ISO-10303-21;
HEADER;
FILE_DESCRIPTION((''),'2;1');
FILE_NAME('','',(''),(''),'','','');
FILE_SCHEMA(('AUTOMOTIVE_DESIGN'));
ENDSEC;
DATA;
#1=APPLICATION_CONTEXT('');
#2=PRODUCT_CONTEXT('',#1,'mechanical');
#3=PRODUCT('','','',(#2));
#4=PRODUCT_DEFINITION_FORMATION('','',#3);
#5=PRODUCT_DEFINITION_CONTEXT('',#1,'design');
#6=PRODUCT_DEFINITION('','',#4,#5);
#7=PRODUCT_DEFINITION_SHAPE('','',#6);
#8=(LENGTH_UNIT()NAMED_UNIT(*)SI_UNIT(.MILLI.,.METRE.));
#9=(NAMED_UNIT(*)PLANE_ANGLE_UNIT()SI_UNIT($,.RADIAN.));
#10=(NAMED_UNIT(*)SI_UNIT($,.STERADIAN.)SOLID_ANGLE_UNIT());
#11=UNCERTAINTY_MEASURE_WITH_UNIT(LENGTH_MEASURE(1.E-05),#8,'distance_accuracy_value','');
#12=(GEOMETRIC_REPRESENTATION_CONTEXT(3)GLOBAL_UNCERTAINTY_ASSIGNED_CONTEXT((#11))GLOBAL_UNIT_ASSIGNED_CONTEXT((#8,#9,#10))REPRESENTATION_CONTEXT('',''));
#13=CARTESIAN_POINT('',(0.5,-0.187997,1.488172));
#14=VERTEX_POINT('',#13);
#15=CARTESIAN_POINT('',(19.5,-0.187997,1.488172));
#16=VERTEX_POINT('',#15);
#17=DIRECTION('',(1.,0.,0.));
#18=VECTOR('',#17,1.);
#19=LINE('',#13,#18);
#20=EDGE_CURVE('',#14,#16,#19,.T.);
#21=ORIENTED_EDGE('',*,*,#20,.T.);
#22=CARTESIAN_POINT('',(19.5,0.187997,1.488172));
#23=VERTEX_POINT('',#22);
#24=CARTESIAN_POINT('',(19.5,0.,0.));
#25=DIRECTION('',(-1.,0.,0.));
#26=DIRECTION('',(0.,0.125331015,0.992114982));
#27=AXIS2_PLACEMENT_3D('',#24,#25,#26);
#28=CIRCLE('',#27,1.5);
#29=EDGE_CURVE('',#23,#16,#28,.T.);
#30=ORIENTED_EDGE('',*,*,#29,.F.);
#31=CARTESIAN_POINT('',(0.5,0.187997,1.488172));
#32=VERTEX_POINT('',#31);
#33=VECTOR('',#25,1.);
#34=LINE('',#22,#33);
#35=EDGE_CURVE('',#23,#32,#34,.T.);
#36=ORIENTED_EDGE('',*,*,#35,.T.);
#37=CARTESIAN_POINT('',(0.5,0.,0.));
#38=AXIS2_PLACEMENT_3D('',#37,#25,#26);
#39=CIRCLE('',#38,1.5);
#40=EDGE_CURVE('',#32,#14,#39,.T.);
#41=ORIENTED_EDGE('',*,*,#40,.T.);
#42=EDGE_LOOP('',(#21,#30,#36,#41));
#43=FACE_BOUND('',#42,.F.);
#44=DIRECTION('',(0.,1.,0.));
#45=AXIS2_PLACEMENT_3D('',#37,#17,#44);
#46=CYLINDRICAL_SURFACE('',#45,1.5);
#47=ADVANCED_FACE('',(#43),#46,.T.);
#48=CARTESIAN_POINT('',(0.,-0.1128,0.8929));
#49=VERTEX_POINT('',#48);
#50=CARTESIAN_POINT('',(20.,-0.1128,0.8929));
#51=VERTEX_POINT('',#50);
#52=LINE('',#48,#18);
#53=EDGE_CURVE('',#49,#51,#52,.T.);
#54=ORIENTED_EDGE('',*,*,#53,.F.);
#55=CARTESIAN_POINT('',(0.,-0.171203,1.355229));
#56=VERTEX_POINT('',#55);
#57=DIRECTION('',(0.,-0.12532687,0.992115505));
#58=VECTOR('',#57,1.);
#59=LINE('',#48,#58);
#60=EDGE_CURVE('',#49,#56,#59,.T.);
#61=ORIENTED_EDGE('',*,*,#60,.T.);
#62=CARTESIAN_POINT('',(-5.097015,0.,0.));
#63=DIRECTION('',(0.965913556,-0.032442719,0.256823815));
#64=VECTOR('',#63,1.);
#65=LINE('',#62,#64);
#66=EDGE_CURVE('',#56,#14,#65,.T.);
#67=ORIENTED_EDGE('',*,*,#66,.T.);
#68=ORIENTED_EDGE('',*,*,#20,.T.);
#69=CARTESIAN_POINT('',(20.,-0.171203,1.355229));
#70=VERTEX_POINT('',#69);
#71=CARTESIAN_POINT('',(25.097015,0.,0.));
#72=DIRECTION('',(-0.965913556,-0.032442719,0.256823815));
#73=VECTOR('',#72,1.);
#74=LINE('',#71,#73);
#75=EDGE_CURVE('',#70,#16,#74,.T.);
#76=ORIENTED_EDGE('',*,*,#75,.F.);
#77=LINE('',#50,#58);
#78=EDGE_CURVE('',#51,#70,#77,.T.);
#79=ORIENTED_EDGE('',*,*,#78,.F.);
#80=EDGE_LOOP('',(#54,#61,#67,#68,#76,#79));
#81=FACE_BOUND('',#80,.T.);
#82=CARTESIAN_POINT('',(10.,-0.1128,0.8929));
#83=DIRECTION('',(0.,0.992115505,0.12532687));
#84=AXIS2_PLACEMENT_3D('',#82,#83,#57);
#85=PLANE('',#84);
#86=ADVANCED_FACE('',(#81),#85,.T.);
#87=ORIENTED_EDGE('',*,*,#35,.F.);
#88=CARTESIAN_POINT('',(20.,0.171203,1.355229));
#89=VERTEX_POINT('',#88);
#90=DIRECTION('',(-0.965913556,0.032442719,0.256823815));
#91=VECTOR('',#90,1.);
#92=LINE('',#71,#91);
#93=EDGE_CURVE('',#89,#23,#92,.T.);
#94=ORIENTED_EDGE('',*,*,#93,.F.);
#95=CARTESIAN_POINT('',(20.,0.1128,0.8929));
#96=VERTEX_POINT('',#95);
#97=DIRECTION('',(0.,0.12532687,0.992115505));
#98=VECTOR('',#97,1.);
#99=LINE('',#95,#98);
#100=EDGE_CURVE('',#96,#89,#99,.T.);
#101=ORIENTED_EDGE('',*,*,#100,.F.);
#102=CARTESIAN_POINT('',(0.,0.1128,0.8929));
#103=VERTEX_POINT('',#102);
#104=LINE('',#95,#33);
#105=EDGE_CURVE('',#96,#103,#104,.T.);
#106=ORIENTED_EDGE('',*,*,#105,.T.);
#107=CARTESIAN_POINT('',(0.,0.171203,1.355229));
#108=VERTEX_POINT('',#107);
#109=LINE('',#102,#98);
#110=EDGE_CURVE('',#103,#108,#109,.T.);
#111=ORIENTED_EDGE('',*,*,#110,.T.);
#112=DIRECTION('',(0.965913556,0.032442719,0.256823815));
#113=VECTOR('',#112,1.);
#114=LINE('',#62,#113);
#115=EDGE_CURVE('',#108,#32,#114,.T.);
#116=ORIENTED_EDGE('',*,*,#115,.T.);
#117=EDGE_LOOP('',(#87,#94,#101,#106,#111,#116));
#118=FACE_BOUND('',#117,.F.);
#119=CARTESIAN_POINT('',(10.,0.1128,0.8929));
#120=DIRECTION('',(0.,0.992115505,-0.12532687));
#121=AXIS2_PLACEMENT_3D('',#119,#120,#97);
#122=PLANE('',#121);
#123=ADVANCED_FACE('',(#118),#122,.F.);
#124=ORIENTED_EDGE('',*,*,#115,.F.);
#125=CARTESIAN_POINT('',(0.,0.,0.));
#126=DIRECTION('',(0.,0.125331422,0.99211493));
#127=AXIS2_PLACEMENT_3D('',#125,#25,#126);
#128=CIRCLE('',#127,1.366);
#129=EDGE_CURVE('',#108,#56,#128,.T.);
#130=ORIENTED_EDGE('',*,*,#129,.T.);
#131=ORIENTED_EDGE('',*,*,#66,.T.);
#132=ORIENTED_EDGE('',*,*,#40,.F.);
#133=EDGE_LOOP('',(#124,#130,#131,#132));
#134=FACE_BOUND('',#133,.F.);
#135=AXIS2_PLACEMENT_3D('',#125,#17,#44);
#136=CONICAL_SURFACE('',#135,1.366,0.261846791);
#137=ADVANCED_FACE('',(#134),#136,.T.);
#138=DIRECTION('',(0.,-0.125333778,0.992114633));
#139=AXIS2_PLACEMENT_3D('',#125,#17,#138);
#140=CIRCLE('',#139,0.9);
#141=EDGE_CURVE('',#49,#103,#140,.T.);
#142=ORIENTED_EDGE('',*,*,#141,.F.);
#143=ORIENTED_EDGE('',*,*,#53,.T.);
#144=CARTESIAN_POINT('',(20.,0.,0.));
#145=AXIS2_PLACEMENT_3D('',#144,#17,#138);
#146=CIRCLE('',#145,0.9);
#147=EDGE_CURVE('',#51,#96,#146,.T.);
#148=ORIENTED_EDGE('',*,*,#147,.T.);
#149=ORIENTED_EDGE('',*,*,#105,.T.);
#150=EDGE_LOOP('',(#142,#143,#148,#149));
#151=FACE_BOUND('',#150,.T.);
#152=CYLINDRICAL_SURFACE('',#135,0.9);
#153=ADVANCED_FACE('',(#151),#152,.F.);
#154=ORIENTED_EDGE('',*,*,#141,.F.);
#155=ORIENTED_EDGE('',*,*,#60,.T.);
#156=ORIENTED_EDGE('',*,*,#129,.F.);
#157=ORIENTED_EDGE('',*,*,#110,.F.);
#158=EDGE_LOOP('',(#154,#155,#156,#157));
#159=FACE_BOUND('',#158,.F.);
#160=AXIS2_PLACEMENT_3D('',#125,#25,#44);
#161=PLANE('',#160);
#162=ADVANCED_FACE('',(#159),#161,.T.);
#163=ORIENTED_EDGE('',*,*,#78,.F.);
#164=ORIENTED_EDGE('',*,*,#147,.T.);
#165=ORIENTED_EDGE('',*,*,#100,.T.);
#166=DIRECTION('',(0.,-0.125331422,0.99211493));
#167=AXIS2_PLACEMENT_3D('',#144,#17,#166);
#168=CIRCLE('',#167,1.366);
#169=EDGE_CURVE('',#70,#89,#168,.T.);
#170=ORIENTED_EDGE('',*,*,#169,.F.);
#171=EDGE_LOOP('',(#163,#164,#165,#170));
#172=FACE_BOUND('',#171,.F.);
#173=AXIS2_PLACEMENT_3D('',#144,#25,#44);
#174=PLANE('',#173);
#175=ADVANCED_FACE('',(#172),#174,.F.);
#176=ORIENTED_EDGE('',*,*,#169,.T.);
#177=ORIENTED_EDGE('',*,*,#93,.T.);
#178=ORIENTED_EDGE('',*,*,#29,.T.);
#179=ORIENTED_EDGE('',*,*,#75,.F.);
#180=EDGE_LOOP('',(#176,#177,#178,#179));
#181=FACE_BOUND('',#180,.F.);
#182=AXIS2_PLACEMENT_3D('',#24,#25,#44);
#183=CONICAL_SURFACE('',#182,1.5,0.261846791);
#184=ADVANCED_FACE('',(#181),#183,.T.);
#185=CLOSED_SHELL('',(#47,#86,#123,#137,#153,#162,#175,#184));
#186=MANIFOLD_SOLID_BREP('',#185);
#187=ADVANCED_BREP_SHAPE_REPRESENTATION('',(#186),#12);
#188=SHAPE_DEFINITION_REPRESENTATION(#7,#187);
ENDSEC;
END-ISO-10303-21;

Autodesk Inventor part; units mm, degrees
ref_plane "YZ Plane" through (0, 0, 0) normal (1, 0, 0) x (0, 1, 0)
ref_plane "XZ Plane" through (0, 0, 0) normal (0, 1, 0) x (-1, 0, 0)
sketch "Sketch1" plane through (0, 0, 0) normal (0, 0, 1) x (1, 0, 0)
  line L0 (0, 0.9) -> (0, 1.366)
  line L1 (0, 1.366) -> (0.5, 1.5)
  line L2 (0.5, 1.5) -> (19.5, 1.5)
  line L3 (19.5, 1.5) -> (20, 1.366)
  line L4 (20, 1.366) -> (20, 0.9)
  line L5 (20, 0) -> (0, 0)
  line L6 (0, 0.9) -> (20, 0.9)
  line L7 (0, 0.9) -> (0, 0) construction
  line L8 (20, 0.9) -> (20, 0) construction
  line L9 (0, 1.5) -> (0, -0.25) projected
  line L10 (-2, 0) -> (12, 0) projected
  dimension "d0" = 20
  dimension "d1" = 3
  dimension "d2" = 1.8
  dimension "d3" = 15
  dimension "d4" = 15
  dimension "d7" = 0.134
  dimension "d8" = 0.134
revolve "Body" add sketch "Sketch1" angle 360 about axis through (20, 0, 0) along (-1, 0, 0)
ref_plane "IDS_WORKPLANE{1}" through (10, 0, 0) normal (1, 0, 0) x (0, 1, 0)
sketch "Sketch2" plane through (10, 0, 0) normal (1, 0, 0) x (0, 1, 0)
  arc A0 (0.188, 1.4882) -> (-0.188, 1.4882) centre (0, 0) ccw
  arc A1 (0.1128, 0.8929) -> (-0.1128, 0.8929) centre (0, 0) ccw
  line L0 (-0.1128, 0.8929) -> (-0.188, 1.4882)
  line L1 (0.1128, 0.8929) -> (0.188, 1.4882)
  line L2 (0, 1.5) -> (0, -0.25) projected
  line L3 (-0.2193, 0) -> (0.2193, 0) projected
  dimension "d11" = 1.5
  dimension "d12" = 0.9
  dimension "d14" = 0.6
  dimension "d15" = 7.2
extrude "Cut" cut sketch "Sketch2" against normal mid plane 20
equation "\"d0\" = NLG"
equation "\"d1\" = NND"
equation "\"d2\" = NND - 2 * SD"
equation "\"d3\" = FAWI"
equation "\"d4\" = FAWI"
equation "\"d11\" = 0.5 * NND"
equation "\"d12\" = -SD + 0.5 * NND"
equation "\"d14\" = SD"
equation "\"d5\" = NLG"
equation "\"NND\" = 3"
equation "\"NLG\" = 20"
equation "\"SD\" = 0.6"
equation "\"PHH\" = 0.5"
equation "\"PHH1\" = 0.5"
equation "\"FAWI\" = 15deg"
equation "\"NND1\" = 3.5"
properties part number "ISO 8752 - 3 x 20  A" material "Steel"
